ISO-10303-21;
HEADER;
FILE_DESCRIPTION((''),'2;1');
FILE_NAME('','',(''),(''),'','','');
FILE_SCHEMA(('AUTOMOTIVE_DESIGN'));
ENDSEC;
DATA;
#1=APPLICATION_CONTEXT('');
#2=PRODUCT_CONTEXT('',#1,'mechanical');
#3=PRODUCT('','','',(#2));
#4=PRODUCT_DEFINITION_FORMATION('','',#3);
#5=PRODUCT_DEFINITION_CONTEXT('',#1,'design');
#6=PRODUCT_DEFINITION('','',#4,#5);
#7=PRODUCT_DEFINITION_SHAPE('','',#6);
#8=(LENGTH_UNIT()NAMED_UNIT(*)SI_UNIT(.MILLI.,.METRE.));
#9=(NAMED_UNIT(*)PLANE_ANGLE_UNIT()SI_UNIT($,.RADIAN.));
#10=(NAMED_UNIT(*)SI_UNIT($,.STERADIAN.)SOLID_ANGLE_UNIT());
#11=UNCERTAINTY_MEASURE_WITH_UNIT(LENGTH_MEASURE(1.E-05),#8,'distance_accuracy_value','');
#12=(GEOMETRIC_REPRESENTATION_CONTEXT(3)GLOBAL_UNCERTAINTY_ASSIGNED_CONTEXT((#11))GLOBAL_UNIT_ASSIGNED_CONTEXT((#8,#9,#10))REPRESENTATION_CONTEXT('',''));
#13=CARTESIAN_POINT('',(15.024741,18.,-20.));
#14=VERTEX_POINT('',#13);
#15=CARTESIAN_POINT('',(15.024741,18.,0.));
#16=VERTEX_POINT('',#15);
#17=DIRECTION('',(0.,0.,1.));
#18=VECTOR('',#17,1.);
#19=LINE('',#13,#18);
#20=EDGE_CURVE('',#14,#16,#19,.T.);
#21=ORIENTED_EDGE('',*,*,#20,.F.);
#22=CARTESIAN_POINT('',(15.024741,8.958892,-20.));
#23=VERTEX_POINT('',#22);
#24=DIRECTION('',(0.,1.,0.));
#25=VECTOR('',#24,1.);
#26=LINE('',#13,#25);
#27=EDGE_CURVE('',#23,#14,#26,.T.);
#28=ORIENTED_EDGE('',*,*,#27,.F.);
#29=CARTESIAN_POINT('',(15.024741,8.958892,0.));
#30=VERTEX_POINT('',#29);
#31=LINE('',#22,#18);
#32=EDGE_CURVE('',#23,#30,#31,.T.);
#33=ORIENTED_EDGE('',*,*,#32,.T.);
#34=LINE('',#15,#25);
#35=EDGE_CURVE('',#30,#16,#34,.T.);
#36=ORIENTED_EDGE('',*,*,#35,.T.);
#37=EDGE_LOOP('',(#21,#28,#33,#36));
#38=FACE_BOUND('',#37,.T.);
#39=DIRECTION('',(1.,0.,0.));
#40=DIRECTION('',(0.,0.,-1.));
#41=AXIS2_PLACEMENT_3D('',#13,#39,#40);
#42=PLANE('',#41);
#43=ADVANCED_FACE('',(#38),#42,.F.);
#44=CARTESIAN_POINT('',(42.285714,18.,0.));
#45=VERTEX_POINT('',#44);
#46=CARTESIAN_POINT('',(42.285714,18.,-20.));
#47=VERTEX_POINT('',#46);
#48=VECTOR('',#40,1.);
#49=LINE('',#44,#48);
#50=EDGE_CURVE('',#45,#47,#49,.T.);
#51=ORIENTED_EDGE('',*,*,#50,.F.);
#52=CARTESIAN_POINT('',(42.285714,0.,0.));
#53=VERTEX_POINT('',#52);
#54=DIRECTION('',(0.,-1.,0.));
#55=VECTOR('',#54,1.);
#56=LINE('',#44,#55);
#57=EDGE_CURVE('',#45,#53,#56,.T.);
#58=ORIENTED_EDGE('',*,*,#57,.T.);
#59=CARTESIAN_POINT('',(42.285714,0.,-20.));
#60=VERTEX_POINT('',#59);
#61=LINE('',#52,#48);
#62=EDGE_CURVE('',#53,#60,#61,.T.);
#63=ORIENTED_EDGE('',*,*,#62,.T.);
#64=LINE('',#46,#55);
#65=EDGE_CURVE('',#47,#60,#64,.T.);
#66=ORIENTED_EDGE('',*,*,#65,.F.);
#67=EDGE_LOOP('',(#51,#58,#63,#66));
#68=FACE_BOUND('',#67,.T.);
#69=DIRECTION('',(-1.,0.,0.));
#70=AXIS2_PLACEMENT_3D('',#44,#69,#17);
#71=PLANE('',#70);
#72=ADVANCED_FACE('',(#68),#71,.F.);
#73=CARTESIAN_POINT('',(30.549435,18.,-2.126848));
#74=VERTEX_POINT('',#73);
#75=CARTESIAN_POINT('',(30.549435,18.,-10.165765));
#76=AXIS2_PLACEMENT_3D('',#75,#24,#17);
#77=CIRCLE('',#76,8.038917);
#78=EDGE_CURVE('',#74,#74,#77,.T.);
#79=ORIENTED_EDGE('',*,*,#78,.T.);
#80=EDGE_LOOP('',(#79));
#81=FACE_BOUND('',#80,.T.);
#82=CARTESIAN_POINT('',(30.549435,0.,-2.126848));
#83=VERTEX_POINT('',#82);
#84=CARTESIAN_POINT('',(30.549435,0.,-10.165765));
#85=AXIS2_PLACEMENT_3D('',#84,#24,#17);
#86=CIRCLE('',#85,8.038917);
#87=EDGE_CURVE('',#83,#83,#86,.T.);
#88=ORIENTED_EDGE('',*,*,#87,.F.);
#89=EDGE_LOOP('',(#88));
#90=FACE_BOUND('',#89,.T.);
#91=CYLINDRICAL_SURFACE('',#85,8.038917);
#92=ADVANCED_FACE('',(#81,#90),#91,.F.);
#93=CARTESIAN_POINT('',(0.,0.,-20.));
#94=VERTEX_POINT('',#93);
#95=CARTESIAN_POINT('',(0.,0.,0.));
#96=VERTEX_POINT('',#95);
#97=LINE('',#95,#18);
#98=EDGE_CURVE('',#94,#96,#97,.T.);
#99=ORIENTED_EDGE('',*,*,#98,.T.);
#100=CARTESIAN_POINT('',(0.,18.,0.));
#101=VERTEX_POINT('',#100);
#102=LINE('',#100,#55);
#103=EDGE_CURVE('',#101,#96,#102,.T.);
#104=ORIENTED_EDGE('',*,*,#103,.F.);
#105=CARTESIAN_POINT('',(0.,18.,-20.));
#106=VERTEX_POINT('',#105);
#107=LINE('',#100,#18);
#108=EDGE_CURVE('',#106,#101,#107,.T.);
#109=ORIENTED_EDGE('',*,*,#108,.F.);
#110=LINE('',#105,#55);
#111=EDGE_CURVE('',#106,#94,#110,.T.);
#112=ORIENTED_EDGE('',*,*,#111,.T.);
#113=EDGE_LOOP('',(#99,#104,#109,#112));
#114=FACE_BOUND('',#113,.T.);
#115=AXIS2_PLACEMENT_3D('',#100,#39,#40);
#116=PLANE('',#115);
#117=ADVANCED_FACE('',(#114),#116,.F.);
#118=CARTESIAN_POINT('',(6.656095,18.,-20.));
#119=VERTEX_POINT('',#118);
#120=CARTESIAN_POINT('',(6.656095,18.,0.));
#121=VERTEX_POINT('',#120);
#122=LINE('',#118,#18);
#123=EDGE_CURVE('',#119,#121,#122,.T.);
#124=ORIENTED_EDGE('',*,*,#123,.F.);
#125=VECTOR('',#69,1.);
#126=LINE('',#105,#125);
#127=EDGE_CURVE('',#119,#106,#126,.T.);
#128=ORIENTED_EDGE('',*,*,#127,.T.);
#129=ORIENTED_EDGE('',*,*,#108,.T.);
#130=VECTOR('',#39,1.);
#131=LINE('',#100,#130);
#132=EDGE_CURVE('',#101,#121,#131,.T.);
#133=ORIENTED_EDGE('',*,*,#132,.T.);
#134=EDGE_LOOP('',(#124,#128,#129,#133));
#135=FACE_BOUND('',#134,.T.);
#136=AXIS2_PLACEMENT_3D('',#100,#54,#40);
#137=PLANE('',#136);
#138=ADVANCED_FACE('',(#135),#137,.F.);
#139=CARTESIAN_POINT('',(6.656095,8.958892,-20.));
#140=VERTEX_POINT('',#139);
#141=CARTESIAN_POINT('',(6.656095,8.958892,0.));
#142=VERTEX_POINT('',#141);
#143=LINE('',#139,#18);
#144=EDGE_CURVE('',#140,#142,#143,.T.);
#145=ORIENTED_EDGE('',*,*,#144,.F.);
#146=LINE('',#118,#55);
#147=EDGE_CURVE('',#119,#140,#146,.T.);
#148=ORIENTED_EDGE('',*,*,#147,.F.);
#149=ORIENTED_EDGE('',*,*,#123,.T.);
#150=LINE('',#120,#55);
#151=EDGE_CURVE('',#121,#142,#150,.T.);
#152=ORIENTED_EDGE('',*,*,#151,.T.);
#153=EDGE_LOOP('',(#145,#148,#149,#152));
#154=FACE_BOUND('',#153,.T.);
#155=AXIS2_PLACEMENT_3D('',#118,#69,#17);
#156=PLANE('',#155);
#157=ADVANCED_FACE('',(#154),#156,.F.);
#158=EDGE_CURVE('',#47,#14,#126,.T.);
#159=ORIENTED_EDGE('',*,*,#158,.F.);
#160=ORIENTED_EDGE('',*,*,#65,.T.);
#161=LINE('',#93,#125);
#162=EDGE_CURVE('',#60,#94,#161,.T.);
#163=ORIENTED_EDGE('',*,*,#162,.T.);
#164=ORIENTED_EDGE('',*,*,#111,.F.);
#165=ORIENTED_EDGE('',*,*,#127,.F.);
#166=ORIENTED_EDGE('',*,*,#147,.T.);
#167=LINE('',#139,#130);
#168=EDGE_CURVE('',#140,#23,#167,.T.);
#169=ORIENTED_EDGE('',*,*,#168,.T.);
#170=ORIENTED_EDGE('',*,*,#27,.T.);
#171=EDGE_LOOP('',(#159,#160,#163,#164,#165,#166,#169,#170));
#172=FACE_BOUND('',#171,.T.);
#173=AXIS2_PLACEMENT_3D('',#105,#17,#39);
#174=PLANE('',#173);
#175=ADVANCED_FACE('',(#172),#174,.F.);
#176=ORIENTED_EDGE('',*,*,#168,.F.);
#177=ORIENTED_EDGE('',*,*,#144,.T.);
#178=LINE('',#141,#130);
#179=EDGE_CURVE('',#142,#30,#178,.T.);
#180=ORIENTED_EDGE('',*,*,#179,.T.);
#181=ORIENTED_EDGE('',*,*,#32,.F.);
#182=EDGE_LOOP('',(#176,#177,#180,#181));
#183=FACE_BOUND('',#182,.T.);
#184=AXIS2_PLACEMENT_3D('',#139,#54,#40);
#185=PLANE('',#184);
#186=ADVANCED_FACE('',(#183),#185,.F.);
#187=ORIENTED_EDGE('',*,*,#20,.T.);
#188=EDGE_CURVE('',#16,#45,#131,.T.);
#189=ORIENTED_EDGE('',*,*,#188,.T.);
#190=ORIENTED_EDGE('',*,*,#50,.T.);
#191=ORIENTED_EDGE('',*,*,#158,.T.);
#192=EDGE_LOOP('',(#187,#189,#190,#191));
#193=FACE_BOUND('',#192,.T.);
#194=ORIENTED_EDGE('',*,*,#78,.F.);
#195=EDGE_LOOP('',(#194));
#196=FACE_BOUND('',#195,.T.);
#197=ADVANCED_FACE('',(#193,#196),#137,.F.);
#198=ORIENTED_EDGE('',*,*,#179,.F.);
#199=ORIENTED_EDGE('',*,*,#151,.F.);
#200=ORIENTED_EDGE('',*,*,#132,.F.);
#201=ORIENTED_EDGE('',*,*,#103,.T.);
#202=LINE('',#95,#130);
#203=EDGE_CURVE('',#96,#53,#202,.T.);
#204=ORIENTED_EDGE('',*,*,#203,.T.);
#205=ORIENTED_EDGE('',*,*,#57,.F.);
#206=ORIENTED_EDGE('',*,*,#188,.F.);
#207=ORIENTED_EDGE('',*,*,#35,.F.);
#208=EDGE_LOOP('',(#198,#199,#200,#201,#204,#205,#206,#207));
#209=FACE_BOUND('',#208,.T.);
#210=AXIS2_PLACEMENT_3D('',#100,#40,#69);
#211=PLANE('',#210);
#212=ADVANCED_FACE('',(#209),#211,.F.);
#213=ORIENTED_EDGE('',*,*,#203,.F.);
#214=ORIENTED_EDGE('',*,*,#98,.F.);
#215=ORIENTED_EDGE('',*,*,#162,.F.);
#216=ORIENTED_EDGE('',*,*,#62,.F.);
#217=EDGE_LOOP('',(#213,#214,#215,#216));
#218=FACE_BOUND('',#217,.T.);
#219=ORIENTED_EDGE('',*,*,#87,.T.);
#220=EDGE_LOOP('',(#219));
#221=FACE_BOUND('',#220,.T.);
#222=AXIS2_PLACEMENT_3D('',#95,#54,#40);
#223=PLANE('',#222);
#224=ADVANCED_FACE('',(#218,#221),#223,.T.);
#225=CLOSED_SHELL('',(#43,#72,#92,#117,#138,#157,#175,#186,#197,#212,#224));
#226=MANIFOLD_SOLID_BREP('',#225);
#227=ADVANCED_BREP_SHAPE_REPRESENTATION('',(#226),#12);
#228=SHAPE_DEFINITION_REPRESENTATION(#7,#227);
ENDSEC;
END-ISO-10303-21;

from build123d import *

# Parameters (mm, degrees)
SKETCH1_W           = 42.285714286
SKETCH1_H           = 20
BOSS_EXTRUDE1_DEPTH = 18
SKETCH2_R           = 8.03891696
CUT_EXTRUDE1_DEPTH  = 18
SKETCH4_W           = 8.368646061
SKETCH4_H           = 9.041107824
CUT_EXTRUDE2_DEPTH  = 20


with BuildPart() as part:
    # Sketch1 → Boss-Extrude1 (new body)
    with BuildSketch(Plane(origin=(0, 0, 0), x_dir=(1, 0, 0), z_dir=(0, 1, 0))):
        with Locations((21.142857143, 10)):
            Rectangle(SKETCH1_W, SKETCH1_H)
    extrude(amount=BOSS_EXTRUDE1_DEPTH)

    # Sketch2 → Cut-Extrude1 (cut)
    with BuildSketch(Plane(origin=(0, 18, 0), x_dir=(1, 0, 0), z_dir=(0, 1, 0))):
        with Locations(Location((30.549434958, 10.165764801, 0), (0, 0, 270))):
            Circle(SKETCH2_R)
    extrude(amount=-CUT_EXTRUDE1_DEPTH, mode=Mode.SUBTRACT)

    # Sketch4 → Cut-Extrude2 (cut)
    with BuildSketch(Plane.XY):
        with Locations((10.8404183, 13.479446088)):
            Rectangle(SKETCH4_W, SKETCH4_H)
    extrude(amount=-CUT_EXTRUDE2_DEPTH, mode=Mode.SUBTRACT)


solid = part.part
